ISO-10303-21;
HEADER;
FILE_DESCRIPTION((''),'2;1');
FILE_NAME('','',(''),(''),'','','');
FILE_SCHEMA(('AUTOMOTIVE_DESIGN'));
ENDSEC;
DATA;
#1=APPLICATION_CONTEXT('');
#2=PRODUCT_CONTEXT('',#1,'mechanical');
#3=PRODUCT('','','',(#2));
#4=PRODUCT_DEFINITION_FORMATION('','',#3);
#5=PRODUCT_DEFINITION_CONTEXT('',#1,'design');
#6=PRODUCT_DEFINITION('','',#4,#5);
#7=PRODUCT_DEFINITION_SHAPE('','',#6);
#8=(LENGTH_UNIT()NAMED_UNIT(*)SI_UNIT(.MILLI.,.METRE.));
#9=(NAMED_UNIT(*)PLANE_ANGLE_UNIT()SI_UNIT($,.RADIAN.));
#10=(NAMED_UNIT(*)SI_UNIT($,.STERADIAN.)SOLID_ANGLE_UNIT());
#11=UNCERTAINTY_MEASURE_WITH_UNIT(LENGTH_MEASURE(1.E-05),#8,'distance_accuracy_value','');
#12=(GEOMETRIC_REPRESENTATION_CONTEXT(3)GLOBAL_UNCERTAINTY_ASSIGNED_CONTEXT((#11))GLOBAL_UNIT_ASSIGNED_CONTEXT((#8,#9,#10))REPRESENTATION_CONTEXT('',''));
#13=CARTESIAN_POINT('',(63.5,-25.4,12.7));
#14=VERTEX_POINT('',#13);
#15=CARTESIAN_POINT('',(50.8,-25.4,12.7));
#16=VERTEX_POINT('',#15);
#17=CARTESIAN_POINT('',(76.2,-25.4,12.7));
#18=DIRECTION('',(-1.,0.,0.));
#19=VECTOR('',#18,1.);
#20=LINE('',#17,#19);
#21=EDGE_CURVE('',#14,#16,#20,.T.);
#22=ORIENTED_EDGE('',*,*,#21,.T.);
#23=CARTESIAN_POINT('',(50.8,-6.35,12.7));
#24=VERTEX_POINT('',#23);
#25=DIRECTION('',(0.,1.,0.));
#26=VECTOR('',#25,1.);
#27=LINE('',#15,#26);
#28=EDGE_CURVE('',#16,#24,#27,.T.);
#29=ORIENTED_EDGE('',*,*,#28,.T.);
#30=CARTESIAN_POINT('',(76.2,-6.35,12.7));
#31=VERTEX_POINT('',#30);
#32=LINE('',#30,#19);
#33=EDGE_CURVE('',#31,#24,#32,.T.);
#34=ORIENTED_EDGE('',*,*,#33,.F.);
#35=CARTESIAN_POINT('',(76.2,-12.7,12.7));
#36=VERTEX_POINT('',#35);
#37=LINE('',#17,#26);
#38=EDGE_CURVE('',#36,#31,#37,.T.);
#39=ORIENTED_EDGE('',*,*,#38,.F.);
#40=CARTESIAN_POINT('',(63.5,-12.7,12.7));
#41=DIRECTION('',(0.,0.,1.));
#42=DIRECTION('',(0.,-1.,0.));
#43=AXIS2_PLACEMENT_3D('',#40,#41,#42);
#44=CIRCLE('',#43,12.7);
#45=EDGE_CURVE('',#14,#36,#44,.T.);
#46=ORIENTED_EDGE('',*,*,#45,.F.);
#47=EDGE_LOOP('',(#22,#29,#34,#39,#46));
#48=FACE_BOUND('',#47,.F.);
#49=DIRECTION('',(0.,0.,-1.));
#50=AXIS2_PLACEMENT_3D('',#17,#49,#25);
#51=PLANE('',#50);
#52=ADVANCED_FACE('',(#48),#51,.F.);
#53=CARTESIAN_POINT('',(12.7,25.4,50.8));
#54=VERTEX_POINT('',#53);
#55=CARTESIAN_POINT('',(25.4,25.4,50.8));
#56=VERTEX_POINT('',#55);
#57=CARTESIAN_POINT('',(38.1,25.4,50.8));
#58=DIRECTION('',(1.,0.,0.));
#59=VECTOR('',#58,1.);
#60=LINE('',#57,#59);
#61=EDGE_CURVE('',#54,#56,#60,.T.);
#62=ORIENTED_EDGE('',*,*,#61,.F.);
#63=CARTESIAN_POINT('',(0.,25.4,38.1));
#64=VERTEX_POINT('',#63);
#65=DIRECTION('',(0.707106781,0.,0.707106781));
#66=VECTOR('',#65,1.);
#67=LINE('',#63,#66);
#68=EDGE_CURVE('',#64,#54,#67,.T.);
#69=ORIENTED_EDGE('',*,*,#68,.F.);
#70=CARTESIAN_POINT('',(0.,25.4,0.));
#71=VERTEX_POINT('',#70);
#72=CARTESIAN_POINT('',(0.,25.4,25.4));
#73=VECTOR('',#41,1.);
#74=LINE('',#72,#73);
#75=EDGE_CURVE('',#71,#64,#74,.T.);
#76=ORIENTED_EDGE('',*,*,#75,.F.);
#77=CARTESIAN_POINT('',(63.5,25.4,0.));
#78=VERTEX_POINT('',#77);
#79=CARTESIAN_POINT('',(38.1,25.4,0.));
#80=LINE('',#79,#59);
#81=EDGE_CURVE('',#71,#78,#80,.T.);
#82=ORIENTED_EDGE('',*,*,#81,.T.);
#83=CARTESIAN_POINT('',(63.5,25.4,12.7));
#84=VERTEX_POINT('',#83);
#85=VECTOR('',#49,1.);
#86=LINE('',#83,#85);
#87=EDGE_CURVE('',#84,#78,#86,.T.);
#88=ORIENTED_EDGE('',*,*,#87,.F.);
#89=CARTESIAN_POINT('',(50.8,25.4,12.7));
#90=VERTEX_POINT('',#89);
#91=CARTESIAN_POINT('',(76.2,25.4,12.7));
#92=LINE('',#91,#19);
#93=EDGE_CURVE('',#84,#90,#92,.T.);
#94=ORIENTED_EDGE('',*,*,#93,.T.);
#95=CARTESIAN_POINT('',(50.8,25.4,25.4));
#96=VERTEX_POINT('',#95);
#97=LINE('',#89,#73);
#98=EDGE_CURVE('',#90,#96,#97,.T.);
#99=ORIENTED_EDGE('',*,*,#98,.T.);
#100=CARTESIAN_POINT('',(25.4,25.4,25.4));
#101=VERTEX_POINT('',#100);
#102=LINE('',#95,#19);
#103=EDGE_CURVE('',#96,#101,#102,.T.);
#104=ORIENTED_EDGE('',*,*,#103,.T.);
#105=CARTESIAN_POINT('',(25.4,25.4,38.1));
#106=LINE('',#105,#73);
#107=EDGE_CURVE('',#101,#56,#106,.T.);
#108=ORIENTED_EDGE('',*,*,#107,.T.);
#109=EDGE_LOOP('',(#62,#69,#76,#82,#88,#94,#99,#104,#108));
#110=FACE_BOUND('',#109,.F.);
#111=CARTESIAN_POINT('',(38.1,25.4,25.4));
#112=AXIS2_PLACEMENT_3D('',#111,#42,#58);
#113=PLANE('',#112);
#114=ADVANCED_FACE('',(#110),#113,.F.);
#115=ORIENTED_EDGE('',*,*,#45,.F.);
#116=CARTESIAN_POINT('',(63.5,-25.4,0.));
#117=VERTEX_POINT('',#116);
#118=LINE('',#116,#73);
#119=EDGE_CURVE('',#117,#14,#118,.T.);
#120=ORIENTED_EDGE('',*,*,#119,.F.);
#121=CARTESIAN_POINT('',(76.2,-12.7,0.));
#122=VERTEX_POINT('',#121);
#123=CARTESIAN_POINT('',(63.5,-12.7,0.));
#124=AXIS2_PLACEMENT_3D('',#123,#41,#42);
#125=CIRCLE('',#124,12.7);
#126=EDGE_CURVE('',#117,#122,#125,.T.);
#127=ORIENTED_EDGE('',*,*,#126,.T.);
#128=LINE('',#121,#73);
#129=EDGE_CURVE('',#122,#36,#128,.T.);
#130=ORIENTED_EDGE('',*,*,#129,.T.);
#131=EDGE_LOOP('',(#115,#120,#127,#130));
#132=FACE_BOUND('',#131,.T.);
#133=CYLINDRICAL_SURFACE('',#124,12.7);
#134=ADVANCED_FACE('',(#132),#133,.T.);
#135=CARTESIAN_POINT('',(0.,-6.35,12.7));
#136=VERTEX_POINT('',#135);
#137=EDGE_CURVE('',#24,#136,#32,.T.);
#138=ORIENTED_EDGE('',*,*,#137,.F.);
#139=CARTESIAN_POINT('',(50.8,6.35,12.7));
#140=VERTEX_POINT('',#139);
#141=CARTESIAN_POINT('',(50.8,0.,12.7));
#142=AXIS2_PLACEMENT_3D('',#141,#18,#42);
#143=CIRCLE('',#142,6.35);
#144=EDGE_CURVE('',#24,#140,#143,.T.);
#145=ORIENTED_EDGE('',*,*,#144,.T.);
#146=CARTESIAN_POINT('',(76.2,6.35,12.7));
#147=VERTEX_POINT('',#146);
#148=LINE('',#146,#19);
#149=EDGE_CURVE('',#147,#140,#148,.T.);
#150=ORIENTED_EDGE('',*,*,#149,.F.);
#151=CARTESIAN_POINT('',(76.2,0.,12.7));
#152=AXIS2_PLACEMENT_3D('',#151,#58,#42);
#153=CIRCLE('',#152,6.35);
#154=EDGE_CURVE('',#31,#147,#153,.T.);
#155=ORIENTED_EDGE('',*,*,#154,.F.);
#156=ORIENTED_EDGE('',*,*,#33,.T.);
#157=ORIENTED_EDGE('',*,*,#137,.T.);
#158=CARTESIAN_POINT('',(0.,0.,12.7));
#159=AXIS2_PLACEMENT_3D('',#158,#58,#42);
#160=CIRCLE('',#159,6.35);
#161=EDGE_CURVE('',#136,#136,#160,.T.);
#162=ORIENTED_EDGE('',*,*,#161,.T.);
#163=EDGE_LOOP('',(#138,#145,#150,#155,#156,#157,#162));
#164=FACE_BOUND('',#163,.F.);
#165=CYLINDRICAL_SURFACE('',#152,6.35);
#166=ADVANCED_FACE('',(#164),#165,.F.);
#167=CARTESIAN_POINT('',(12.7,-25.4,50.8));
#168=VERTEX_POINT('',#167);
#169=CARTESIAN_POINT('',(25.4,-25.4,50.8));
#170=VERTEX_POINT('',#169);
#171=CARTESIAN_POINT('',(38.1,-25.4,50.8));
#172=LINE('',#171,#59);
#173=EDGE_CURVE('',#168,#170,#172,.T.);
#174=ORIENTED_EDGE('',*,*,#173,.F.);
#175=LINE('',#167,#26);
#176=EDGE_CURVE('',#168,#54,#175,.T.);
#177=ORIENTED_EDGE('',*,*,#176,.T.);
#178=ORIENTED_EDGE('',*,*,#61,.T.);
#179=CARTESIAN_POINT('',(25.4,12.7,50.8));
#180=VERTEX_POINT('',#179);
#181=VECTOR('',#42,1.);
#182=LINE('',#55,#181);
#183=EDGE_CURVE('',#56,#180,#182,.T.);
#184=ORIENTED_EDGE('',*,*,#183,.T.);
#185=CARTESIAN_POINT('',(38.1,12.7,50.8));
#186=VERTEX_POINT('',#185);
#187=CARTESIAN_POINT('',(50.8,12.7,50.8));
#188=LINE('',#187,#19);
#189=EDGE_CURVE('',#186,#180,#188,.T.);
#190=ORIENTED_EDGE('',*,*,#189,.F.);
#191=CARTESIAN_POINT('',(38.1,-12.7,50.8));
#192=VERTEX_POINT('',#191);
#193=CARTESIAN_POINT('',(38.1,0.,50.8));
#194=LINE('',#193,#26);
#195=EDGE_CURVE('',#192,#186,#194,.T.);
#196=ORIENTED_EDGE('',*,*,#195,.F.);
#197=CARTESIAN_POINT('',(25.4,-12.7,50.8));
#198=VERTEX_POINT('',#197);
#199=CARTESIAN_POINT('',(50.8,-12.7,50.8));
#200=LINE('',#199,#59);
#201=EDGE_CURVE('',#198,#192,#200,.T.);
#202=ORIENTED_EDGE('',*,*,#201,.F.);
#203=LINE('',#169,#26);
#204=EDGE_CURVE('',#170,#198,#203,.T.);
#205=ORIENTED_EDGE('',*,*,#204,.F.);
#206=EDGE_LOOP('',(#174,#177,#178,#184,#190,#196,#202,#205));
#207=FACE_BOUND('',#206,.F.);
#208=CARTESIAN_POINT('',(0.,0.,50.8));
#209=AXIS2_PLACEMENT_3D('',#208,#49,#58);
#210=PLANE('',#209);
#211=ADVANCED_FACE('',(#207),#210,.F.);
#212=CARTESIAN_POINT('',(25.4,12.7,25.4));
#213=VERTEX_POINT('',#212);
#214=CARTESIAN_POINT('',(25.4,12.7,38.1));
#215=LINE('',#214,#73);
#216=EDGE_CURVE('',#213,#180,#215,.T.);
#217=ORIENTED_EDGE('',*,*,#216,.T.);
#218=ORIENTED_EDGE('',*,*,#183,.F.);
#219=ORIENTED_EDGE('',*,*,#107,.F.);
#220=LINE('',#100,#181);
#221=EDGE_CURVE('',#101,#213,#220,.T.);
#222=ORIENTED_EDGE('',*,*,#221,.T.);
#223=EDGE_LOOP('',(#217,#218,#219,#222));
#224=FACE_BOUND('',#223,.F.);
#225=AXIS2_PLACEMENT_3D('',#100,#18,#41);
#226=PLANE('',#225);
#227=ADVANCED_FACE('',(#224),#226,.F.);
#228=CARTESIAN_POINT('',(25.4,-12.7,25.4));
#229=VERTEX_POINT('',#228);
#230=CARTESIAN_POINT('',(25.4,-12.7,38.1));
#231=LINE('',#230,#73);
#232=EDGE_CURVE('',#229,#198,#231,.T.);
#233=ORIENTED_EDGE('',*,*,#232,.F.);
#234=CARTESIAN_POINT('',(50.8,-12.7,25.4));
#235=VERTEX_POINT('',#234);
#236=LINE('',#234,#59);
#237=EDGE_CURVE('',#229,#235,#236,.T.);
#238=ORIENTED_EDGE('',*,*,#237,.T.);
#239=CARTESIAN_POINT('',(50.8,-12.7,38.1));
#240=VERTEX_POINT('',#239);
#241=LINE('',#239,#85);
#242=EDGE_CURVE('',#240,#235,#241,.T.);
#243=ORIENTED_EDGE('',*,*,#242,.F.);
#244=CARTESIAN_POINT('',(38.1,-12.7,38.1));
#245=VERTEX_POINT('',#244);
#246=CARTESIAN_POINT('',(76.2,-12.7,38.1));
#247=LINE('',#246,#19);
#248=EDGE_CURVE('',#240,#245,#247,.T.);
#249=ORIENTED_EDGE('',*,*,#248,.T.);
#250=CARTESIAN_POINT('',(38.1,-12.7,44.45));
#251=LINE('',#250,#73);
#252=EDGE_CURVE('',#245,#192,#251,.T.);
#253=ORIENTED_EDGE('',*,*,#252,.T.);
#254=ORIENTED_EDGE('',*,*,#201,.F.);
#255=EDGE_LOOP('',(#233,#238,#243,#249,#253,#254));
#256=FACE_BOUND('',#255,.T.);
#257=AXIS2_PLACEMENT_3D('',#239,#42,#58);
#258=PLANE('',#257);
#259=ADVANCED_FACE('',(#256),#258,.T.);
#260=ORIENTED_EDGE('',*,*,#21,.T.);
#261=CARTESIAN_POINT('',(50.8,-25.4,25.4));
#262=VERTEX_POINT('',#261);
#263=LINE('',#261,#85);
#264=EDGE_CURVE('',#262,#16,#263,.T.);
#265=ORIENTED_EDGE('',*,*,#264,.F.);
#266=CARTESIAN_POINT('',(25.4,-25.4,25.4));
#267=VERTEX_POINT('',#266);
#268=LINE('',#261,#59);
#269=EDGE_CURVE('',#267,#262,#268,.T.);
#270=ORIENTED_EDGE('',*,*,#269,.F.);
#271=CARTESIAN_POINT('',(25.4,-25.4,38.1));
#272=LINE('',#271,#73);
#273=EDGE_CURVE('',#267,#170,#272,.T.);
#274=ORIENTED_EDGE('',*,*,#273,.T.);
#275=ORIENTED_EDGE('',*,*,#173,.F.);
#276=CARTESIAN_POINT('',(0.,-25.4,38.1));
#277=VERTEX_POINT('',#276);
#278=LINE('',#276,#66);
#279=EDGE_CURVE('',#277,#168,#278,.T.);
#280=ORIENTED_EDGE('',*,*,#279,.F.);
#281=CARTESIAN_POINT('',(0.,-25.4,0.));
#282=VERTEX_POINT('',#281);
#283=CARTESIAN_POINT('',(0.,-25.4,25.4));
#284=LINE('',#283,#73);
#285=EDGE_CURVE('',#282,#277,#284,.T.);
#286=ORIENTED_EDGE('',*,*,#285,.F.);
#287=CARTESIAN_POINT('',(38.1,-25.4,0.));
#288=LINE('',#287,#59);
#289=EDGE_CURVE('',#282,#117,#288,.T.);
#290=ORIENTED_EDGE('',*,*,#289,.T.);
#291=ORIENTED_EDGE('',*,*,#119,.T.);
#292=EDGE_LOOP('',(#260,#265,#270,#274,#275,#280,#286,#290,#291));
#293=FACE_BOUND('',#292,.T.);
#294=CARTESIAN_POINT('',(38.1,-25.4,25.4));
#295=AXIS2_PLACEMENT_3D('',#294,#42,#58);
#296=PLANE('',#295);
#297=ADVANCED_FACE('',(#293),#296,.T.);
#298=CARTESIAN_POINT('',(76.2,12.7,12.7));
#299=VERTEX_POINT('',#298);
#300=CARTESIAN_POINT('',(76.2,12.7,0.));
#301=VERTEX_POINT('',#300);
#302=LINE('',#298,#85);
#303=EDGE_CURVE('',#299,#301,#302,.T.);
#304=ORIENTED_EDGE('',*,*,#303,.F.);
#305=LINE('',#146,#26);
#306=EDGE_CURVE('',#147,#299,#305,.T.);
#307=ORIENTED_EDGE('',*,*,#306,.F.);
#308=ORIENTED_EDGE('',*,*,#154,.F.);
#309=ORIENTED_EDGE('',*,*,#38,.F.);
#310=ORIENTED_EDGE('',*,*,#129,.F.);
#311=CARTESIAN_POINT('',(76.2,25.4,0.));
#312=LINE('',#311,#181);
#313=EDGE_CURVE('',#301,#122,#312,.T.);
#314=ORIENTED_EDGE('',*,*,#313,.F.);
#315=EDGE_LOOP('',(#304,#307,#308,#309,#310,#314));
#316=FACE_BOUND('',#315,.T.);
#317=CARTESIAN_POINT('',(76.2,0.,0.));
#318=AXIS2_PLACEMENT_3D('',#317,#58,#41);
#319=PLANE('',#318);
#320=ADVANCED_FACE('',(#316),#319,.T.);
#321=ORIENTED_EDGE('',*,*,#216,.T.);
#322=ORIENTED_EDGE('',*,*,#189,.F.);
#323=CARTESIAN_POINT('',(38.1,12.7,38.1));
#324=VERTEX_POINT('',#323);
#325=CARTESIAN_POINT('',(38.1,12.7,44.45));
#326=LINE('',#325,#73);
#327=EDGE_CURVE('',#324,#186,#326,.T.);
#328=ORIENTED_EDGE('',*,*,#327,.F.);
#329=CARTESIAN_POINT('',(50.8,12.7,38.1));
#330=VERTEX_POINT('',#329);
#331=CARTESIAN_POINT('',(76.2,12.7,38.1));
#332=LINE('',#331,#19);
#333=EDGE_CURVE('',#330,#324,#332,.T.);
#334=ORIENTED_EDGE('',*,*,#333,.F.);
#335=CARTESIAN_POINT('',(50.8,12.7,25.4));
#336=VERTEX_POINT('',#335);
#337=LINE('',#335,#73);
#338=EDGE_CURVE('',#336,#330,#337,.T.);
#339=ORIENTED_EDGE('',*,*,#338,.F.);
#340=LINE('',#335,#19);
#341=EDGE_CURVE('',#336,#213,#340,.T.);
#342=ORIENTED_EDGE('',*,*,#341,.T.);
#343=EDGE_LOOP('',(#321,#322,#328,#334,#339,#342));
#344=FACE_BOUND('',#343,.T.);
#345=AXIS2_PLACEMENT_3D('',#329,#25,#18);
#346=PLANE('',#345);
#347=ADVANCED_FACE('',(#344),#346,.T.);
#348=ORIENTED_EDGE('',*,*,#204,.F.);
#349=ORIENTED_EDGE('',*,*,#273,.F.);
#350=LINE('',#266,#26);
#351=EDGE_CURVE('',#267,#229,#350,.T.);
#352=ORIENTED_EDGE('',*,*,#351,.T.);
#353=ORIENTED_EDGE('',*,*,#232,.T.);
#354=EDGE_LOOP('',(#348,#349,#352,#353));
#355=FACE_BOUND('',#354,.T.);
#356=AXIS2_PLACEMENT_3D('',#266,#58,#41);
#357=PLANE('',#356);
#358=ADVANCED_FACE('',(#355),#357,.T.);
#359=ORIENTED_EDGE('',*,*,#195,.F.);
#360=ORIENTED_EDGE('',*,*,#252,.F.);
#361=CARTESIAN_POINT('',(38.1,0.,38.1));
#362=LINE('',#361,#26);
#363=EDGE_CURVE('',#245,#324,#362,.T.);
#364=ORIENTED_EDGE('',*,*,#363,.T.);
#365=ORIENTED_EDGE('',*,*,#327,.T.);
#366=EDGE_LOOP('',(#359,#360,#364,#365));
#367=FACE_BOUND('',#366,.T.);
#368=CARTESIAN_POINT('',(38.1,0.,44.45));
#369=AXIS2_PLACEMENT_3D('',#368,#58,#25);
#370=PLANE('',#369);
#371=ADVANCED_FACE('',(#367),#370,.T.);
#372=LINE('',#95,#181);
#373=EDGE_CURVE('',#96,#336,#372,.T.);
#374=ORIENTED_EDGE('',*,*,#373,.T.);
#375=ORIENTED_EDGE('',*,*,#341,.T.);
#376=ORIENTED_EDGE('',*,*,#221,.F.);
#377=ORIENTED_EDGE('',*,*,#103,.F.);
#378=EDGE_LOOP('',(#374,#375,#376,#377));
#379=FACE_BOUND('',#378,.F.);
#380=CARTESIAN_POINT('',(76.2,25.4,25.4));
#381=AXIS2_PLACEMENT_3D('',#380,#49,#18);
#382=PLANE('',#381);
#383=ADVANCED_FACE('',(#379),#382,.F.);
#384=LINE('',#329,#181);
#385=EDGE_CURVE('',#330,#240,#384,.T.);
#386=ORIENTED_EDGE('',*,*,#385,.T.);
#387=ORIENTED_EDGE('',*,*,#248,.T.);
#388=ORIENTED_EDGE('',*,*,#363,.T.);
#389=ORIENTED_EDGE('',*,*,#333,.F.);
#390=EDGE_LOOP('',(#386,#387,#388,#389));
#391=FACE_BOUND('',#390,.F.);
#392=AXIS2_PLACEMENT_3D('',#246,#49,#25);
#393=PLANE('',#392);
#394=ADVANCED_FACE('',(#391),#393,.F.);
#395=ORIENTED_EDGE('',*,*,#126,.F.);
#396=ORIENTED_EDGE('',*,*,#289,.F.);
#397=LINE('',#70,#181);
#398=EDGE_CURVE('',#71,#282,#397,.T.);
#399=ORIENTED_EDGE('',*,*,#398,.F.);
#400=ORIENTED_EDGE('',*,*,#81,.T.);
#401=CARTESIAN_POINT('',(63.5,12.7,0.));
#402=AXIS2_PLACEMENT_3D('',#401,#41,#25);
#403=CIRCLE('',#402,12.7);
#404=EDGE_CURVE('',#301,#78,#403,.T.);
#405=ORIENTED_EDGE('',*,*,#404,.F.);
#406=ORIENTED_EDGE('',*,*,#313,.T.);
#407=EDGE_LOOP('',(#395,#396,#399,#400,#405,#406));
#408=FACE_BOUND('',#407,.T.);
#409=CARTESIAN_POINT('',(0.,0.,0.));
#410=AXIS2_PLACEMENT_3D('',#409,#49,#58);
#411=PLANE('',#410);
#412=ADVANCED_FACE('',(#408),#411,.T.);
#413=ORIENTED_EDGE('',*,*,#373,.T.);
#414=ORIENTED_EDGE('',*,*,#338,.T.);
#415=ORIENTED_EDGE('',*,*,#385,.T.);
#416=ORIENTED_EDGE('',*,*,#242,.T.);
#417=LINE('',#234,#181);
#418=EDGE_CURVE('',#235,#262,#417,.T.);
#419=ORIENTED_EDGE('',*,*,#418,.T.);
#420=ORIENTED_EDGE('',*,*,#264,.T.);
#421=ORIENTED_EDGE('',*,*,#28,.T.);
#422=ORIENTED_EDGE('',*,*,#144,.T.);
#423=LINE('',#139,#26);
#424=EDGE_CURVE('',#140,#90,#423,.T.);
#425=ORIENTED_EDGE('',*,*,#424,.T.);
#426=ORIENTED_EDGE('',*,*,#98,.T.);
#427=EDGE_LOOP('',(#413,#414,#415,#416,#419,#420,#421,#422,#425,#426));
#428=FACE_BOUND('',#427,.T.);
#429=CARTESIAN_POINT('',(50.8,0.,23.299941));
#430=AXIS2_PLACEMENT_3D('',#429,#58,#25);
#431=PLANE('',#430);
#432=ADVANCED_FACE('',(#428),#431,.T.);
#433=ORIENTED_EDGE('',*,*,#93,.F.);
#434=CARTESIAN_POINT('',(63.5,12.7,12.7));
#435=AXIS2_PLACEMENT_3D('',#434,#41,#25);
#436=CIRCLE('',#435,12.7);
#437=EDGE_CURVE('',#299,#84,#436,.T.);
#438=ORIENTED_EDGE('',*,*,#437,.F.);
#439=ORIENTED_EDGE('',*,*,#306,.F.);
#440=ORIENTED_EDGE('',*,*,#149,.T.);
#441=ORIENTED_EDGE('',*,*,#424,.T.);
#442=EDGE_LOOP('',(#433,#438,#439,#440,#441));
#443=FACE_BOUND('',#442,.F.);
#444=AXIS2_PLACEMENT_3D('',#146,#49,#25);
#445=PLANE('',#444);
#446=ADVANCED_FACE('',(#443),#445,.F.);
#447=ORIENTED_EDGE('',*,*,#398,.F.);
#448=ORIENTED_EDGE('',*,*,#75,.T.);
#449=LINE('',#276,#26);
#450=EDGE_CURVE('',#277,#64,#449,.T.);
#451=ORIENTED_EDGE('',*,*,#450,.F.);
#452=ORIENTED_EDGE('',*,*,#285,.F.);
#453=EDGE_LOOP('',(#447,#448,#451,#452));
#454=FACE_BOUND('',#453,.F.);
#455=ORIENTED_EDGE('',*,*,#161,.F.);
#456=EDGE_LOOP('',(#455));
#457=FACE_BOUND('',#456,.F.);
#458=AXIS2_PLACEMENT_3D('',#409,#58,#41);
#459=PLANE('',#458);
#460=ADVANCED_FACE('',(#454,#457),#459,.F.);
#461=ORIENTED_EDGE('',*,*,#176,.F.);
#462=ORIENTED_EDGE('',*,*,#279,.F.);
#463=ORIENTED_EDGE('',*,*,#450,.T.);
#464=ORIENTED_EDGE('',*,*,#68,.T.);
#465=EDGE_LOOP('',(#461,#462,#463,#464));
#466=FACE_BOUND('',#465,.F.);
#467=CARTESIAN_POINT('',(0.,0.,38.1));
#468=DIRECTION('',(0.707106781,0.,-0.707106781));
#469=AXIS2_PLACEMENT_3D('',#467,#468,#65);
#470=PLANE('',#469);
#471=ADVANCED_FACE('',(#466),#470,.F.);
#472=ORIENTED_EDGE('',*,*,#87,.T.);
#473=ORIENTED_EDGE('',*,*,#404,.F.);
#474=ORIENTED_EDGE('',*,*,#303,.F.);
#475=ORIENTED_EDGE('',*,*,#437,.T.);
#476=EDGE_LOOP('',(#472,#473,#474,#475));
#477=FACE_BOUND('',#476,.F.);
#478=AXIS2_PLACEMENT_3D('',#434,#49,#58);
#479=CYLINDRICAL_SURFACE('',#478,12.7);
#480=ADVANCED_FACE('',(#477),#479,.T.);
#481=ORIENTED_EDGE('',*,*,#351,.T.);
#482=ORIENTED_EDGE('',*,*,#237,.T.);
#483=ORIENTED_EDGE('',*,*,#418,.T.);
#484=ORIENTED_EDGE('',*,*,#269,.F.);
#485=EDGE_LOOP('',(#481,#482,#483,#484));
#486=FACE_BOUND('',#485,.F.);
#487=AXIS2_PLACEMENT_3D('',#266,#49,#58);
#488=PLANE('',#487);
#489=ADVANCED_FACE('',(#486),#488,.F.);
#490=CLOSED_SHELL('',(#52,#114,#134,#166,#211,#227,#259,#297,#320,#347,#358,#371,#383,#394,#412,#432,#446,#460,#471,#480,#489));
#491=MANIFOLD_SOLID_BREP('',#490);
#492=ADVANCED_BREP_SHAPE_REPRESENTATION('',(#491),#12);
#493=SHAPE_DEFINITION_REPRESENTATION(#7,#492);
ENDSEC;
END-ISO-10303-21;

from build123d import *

# Parameters (mm, degrees)
F0_W      = 76.2
F0_H      = 50.8
F1_DEPTH  = 25.4
F3_DEPTH  = 25.4
F5_DEPTH  = 76.2
F6_DEPTH  = 25.4
F7_DEPTH  = 76.2
F8_W      = 50.8
F8_H      = 25.4
F9_DEPTH  = 12.7
F10_W     = 50.8
F10_H     = 25.4
F11_DEPTH = 12.7
F12_W     = 25.4
F12_H     = 12.7
F13_DEPTH = 38.1
F14_R     = 12.7
F15_R     = 12.7


with BuildPart() as f1:
    # F0 (on Front) → F1 (new body, symmetric)
    with BuildSketch(Plane.XZ):
        with Locations((38.1, 25.4)):
            Rectangle(F0_W, F0_H)
    extrude(amount=F1_DEPTH, both=True)

    # F2 (on Front) → F3 (cut, symmetric)
    with BuildSketch(Plane.XZ):
        Polygon((12.7, 50.8), (0, 50.8), (0, 38.1), align=None)
    extrude(amount=F3_DEPTH, both=True, mode=Mode.SUBTRACT)

    # F4 (on face) → F5 (cut)
    with BuildSketch(Plane.YZ.offset(76.2)):
        with BuildLine():
            Line((-25.4, 25.4), (-25.4, 12.7))
            Line((-25.4, 12.7), (-6.35, 12.7))
            ThreePointArc((-6.35, 12.7), (0, 19.05), (6.35, 12.7))
            Line((6.35, 12.7), (25.4, 12.7))
            Line((25.4, 12.7), (25.4, 25.4))
            Line((25.4, 25.4), (12.7, 25.4))
            Line((12.7, 25.4), (12.7, 38.1))
            Line((12.7, 38.1), (-12.7, 38.1))
            Line((-12.7, 38.1), (-12.7, 25.4))
            Line((-12.7, 25.4), (-25.4, 25.4))
        make_face()
        with BuildLine():
            ThreePointArc((6.35, 12.7), (0, 19.05), (-6.35, 12.7))
            ThreePointArc((-6.35, 12.7), (0, 6.35), (6.35, 12.7))
        make_face()
    extrude(amount=F5_DEPTH, mode=Mode.SUBTRACT)

    # F4 (on face) → F6 (cut)
    with BuildSketch(Plane.YZ.offset(76.2)):
        with BuildLine():
            Line((-25.4, 25.4), (-25.4, 12.7))
            Line((-25.4, 12.7), (-6.35, 12.7))
            ThreePointArc((-6.35, 12.7), (0, 19.05), (6.35, 12.7))
            Line((6.35, 12.7), (25.4, 12.7))
            Line((25.4, 12.7), (25.4, 25.4))
            Line((25.4, 25.4), (12.7, 25.4))
            Line((12.7, 25.4), (12.7, 38.1))
            Line((12.7, 38.1), (-12.7, 38.1))
            Line((-12.7, 38.1), (-12.7, 25.4))
            Line((-12.7, 25.4), (-25.4, 25.4))
        make_face()
    extrude(amount=-F6_DEPTH, mode=Mode.SUBTRACT)

    # F4 (on face) → F7 (cut)
    with BuildSketch(Plane.YZ.offset(76.2)):
        with BuildLine():
            ThreePointArc((6.35, 12.7), (0, 19.05), (-6.35, 12.7))
            ThreePointArc((-6.35, 12.7), (0, 6.35), (6.35, 12.7))
        make_face()
    extrude(amount=-F7_DEPTH, mode=Mode.SUBTRACT)

    # F8 (on face) → F9 (cut)
    with BuildSketch(Plane.XZ.offset(25.4)):
        with Locations((50.8, 38.1)):
            Rectangle(F8_W, F8_H)
    extrude(amount=-F9_DEPTH, mode=Mode.SUBTRACT)

    # F10 (on face) → F11 (cut)
    with BuildSketch(Plane(origin=(0, 25.4, 0), x_dir=(-1, 0, 0), z_dir=(0, 1, 0))):
        with Locations((-50.8, 38.1)):
            Rectangle(F10_W, F10_H)
    extrude(amount=-F11_DEPTH, mode=Mode.SUBTRACT)

    # F12 (on face) → F13 (cut)
    with BuildSketch(Plane.YZ.offset(76.2)):
        with Locations((0, 44.45)):
            Rectangle(F12_W, F12_H)
    extrude(amount=-F13_DEPTH, mode=Mode.SUBTRACT)

    # F14
    f14_edges = [f1.edges().sort_by_distance(p)[0] for p in [
        (76.2, -25.4, 6.35),
    ]]
    fillet(f14_edges, radius=F14_R)

    # F15
    f15_edges = [f1.edges().sort_by_distance(p)[0] for p in [
        (76.2, 25.4, 6.35),
    ]]
    fillet(f15_edges, radius=F15_R)


solid = f1.part
